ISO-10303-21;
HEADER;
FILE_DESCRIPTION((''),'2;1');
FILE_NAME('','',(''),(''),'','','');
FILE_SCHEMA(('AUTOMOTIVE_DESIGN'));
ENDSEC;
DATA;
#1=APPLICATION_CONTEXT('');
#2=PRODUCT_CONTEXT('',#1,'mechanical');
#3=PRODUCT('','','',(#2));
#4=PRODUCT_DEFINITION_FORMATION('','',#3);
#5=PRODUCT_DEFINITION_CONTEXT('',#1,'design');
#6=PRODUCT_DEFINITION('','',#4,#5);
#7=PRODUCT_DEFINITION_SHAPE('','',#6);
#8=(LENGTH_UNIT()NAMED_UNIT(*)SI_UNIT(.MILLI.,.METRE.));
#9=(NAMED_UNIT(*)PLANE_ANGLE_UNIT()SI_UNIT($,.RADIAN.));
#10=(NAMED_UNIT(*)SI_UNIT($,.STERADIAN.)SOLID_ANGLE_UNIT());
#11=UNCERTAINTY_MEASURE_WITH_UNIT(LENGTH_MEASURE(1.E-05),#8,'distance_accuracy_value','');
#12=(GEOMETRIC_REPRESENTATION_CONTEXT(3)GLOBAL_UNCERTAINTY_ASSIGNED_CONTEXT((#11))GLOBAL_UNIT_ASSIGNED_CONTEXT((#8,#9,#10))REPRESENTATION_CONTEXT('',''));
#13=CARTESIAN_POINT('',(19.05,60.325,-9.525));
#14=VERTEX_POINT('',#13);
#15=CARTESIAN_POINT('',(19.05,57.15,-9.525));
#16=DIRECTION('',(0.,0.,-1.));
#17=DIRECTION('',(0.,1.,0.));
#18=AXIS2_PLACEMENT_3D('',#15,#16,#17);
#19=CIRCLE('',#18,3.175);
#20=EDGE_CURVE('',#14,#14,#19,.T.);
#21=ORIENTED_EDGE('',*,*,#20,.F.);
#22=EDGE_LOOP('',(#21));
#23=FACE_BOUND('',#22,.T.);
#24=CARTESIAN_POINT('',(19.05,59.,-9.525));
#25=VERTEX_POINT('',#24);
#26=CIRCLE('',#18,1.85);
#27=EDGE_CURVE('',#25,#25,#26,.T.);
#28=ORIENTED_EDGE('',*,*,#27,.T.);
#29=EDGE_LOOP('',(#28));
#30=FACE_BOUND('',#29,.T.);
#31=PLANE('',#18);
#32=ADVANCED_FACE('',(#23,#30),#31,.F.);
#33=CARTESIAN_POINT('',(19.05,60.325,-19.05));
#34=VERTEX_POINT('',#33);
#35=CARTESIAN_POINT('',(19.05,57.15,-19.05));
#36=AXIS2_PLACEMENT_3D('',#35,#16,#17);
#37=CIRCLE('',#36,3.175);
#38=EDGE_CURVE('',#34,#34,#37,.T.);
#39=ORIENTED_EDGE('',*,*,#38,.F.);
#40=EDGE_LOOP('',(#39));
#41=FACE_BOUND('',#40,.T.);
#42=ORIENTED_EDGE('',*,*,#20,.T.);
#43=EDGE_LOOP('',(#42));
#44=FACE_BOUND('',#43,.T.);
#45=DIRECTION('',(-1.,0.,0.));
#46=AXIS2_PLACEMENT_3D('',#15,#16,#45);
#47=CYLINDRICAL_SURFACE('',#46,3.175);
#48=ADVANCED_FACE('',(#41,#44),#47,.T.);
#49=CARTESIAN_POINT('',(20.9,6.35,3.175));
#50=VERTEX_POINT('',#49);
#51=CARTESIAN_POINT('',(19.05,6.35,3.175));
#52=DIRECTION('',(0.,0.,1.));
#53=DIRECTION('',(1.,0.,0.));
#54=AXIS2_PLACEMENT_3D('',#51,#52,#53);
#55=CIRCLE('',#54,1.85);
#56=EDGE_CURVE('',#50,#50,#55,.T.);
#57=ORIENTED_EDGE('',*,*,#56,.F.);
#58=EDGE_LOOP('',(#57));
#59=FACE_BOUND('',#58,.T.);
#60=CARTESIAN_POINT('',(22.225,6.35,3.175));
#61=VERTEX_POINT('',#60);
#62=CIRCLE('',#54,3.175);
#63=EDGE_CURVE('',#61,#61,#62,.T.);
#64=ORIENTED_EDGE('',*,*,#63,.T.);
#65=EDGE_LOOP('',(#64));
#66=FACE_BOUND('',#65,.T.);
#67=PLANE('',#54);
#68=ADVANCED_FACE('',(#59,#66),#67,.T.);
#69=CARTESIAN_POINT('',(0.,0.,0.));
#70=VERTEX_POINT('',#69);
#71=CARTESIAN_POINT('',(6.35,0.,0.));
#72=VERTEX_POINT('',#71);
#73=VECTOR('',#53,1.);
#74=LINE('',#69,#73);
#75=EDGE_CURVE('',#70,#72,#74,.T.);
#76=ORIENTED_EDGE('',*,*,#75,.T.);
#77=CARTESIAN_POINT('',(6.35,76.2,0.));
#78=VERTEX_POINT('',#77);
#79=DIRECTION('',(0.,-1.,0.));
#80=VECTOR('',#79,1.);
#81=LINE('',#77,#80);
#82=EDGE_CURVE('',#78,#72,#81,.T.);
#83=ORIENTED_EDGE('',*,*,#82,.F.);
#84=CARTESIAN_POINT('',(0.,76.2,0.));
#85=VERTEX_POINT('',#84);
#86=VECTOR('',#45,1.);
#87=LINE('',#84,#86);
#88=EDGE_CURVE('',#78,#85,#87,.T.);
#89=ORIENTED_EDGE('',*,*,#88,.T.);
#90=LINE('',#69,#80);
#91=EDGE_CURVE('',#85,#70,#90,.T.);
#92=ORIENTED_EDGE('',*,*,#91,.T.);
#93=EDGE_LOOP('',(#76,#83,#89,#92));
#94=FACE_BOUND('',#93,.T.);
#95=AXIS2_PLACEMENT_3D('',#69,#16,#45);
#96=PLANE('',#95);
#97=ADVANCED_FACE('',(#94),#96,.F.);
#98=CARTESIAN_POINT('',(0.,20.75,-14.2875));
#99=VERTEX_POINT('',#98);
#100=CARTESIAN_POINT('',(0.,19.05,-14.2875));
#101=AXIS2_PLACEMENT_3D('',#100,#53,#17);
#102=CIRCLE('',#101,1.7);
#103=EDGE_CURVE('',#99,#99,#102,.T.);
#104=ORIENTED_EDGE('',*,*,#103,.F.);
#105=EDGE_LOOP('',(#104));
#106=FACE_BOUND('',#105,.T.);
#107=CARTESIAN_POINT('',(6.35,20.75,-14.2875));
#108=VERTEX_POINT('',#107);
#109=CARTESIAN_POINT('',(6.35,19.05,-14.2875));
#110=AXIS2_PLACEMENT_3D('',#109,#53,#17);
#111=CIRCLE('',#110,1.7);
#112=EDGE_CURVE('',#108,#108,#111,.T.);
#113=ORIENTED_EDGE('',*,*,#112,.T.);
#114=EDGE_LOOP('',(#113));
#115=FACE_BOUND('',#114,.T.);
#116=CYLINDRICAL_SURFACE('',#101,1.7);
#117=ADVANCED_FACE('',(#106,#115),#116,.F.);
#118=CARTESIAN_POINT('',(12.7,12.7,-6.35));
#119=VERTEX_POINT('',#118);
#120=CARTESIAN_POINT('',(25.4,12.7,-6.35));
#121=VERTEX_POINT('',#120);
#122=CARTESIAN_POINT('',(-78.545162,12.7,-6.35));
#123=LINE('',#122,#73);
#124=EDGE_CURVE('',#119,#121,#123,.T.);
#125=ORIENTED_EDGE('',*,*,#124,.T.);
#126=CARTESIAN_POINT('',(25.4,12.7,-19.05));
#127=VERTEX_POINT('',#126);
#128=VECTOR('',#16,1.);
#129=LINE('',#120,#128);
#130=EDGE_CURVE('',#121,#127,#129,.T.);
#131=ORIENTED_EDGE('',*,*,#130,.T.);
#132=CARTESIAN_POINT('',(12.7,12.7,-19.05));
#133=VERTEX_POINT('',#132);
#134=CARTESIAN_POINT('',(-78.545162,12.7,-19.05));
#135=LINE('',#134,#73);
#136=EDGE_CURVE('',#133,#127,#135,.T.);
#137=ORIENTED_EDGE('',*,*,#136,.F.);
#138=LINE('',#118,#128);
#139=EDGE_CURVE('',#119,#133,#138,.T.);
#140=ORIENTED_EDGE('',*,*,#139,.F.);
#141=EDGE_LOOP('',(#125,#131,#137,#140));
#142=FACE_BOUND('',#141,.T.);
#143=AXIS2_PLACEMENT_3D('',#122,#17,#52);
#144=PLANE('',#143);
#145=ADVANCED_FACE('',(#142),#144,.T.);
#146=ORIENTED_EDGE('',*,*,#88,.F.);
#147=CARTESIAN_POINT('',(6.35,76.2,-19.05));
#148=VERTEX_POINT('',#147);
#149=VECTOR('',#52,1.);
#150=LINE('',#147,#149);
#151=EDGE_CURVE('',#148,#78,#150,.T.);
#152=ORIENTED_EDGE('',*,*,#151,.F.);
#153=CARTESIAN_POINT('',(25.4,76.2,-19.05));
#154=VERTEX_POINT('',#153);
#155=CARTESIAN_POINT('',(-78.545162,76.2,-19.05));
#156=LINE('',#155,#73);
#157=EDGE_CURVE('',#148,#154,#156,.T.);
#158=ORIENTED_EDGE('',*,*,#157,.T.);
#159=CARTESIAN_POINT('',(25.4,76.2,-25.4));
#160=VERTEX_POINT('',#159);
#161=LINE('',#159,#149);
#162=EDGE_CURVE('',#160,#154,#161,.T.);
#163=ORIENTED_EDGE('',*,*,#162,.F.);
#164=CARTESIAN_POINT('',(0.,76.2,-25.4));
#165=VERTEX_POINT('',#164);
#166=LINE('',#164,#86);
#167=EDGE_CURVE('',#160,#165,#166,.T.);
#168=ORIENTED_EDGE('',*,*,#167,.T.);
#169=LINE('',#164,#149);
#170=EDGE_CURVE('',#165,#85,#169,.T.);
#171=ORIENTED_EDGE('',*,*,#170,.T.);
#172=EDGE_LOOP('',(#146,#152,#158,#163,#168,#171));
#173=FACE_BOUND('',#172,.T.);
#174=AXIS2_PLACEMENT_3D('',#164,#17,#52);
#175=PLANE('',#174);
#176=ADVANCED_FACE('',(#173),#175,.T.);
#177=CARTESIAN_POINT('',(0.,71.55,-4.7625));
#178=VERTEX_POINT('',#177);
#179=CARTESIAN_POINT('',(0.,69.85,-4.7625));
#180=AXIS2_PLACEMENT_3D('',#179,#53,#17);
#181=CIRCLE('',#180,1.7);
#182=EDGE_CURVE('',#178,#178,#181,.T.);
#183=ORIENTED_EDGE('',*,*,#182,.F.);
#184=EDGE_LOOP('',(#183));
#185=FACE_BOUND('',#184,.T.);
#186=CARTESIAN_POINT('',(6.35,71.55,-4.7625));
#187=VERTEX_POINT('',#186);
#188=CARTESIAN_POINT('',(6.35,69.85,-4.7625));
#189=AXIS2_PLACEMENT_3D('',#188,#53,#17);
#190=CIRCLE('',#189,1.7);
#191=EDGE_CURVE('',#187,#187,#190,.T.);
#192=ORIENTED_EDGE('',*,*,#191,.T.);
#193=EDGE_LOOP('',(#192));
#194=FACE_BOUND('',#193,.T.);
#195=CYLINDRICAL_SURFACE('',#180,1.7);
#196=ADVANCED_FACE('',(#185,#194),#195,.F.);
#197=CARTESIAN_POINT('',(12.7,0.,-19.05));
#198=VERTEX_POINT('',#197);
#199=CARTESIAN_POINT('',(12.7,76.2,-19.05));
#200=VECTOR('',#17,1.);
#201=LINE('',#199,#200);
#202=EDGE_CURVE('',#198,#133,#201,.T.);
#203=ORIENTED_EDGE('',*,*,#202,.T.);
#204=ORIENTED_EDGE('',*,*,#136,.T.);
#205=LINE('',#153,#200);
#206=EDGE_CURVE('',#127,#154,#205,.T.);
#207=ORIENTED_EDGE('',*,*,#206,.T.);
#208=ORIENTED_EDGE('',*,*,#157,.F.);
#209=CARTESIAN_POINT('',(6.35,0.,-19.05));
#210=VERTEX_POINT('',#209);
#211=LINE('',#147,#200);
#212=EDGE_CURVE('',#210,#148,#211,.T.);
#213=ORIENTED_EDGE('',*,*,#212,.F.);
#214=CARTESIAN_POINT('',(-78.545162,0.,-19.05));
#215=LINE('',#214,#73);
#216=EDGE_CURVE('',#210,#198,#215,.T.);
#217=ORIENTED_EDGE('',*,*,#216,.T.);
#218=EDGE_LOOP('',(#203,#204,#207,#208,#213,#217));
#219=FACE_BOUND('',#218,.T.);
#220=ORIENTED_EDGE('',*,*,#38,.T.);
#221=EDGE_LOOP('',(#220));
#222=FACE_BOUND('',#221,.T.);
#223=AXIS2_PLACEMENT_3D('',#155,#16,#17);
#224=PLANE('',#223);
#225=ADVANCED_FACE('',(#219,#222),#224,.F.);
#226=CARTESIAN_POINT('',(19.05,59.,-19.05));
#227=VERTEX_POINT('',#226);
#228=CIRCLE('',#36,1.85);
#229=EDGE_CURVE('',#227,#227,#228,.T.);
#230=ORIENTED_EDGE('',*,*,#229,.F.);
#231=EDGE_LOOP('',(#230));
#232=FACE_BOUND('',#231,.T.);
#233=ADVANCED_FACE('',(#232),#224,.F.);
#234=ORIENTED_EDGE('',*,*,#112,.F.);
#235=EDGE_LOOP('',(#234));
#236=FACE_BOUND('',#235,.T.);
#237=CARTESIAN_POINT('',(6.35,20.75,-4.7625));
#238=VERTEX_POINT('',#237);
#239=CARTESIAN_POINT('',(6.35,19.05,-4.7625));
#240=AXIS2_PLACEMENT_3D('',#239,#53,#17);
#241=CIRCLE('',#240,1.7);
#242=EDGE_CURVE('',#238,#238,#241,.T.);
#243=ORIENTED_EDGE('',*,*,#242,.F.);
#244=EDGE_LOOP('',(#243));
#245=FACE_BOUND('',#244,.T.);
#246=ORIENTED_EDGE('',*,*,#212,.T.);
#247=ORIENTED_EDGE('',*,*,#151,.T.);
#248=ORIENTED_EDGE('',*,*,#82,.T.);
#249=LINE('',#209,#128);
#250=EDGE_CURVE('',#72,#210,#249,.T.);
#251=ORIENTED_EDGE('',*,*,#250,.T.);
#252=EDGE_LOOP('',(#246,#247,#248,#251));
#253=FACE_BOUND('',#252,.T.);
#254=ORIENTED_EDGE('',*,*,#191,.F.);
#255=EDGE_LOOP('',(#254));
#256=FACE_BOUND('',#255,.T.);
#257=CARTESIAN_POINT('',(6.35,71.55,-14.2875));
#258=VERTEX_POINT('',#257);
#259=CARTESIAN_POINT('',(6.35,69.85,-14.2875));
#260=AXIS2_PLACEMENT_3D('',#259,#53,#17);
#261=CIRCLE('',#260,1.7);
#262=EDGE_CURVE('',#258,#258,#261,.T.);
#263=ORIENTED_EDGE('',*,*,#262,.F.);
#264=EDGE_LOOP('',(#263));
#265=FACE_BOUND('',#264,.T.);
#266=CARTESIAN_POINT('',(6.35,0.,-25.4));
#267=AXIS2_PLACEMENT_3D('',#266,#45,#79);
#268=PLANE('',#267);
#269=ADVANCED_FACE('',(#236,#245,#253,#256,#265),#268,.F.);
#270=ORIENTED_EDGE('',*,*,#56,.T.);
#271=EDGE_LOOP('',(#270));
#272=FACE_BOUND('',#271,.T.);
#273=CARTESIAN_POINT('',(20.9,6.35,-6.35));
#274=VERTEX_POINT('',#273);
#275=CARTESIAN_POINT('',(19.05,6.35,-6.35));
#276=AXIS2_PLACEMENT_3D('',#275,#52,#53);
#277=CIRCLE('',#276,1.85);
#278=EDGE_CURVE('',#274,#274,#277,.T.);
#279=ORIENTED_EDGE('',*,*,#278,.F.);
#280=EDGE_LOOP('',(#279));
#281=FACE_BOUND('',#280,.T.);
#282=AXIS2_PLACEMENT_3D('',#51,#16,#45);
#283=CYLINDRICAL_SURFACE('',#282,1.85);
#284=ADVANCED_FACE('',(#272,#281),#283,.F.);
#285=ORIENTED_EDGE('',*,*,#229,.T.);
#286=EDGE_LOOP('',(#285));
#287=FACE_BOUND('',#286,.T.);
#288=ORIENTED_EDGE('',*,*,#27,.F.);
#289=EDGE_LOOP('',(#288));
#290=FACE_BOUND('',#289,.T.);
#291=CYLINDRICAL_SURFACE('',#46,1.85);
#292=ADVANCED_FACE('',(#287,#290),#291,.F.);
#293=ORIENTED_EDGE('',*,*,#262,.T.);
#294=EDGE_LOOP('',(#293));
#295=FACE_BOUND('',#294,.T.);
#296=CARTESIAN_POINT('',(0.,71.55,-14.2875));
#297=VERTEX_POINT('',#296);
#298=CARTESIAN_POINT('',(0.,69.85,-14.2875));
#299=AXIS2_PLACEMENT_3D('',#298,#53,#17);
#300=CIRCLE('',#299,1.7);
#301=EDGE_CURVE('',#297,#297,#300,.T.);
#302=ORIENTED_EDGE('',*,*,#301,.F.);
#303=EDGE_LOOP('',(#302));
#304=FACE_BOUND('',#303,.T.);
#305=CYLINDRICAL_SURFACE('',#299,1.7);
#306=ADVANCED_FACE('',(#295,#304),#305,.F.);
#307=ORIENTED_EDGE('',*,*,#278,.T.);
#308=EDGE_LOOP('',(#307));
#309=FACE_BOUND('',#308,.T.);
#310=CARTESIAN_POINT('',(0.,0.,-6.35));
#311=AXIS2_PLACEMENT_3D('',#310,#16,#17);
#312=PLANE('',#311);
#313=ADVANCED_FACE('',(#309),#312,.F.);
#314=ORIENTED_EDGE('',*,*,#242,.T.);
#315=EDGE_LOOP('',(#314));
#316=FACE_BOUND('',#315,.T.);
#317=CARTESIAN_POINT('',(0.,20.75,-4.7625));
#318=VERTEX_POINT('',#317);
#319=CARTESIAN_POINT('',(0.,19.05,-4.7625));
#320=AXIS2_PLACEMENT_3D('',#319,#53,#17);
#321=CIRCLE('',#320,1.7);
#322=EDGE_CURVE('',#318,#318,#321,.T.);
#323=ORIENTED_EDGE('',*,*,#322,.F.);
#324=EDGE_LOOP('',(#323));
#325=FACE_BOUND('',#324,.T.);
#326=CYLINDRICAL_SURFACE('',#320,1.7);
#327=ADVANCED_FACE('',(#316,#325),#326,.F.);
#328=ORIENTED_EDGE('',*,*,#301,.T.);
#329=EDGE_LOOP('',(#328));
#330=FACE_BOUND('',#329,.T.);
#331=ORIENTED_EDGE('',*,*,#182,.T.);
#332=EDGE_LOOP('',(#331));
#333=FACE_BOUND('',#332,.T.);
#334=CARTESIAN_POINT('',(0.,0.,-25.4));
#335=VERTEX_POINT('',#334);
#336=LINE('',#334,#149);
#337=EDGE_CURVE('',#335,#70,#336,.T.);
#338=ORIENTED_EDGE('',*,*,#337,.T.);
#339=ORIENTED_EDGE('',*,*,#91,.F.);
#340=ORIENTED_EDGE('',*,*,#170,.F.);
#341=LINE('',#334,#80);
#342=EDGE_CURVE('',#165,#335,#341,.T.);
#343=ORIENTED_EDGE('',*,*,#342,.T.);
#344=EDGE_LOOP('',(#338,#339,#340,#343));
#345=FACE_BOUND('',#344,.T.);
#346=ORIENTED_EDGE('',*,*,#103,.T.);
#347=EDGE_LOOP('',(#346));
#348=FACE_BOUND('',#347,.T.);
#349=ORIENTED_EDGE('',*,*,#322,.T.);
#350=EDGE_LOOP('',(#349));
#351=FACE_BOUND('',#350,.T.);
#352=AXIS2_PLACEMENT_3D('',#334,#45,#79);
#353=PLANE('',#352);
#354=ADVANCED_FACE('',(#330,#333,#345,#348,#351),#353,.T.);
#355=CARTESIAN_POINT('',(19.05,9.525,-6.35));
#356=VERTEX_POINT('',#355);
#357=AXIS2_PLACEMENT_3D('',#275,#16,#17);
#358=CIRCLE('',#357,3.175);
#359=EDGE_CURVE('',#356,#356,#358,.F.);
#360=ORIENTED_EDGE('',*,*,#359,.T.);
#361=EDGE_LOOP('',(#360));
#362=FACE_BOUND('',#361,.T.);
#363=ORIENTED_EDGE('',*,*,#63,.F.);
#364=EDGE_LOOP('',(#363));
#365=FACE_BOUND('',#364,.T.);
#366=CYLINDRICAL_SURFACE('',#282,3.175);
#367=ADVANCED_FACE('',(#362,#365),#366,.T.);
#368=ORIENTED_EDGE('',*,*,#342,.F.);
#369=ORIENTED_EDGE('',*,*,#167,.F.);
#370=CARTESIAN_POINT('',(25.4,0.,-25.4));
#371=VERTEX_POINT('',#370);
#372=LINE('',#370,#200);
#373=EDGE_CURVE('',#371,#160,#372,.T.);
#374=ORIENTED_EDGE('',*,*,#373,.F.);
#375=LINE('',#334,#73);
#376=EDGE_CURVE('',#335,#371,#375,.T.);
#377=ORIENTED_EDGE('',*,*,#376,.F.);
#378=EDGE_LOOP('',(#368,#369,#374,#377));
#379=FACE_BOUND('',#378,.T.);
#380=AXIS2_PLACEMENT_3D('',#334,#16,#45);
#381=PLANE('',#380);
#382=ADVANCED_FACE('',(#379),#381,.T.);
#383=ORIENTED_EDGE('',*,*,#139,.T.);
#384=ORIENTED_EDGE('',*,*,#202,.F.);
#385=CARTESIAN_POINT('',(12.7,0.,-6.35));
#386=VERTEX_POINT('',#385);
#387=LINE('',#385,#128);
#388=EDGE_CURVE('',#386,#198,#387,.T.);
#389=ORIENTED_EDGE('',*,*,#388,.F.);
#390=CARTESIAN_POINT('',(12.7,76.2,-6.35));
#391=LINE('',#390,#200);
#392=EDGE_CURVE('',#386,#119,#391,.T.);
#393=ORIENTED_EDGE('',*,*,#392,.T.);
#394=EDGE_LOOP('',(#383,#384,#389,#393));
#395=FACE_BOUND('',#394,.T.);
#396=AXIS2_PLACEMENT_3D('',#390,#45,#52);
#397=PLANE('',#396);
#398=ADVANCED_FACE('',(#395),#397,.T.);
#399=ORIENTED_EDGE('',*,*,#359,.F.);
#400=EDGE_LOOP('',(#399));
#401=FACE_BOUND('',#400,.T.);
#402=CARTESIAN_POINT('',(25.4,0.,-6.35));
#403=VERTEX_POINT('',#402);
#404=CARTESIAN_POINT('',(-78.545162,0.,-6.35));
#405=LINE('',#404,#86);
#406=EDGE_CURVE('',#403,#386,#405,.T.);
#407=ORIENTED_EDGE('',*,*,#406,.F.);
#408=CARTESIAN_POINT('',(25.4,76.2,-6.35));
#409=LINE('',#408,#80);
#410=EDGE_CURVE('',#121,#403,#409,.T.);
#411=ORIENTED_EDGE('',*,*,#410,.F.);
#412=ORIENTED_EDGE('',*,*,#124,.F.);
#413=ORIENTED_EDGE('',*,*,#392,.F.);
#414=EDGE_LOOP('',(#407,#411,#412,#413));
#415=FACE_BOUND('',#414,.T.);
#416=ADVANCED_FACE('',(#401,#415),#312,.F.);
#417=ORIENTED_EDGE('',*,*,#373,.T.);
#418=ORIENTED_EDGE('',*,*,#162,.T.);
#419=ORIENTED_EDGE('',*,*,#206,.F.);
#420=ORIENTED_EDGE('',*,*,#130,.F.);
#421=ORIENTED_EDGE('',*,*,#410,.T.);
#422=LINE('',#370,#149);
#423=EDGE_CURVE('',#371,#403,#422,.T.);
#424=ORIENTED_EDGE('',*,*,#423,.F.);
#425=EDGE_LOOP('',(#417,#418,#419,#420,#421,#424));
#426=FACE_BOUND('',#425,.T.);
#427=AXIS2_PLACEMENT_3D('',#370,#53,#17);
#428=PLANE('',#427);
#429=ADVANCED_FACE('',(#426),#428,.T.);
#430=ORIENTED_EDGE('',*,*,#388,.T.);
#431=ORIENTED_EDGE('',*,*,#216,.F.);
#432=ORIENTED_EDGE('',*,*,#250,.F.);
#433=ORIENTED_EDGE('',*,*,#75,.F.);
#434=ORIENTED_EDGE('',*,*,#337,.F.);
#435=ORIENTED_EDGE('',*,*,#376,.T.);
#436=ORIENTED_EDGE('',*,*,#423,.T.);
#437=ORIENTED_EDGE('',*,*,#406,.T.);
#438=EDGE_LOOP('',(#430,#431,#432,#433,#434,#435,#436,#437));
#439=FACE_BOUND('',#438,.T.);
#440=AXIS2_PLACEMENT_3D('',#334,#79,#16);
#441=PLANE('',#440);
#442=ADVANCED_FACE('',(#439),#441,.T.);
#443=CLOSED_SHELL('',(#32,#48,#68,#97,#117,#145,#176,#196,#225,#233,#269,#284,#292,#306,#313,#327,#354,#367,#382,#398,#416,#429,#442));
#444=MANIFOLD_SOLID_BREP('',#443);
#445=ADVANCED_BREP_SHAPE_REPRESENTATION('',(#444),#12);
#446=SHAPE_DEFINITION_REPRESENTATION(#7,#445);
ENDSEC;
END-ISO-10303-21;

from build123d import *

# Parameters (mm, degrees)
SKETCH1_W           = 25.4
SKETCH1_H           = 76.2
BOSS_EXTRUDE1_DEPTH = 25.4
SKETCH10_W          = 19.05
SKETCH10_H          = 76.2
CUT_EXTRUDE5_DEPTH  = 19.05
BOSS_EXTRUDE2_START = -6.35
SKETCH12_R          = 3.175
SKETCH12_R_2        = 1.849999983
BOSS_EXTRUDE2_DEPTH = 9.525
BOSS_EXTRUDE3_START = -6.35
SKETCH13_W          = 12.7
SKETCH13_H          = 12.7
BOSS_EXTRUDE3_DEPTH = 12.7
SKETCH14_R          = 3.175
SKETCH14_R_2        = 1.849999983
BOSS_EXTRUDE4_DEPTH = 9.525
SKETCH15_R          = 1.700000029
CUT_EXTRUDE6_DEPTH  = 7.35


with BuildPart() as part:
    # Sketch1 → Boss-Extrude1 (new body)
    with BuildSketch(Plane.XY):
        with Locations((12.7, 38.1)):
            Rectangle(SKETCH1_W, SKETCH1_H)
    extrude(amount=-BOSS_EXTRUDE1_DEPTH)

    # Sketch10 → Cut-Extrude5 (cut)
    with BuildSketch(Plane(origin=(25.4, 0, 0), x_dir=(0, 0, -1), z_dir=(1, 0, 0))):
        with Locations((9.525, 38.1)):
            Rectangle(SKETCH10_W, SKETCH10_H)
    extrude(amount=-CUT_EXTRUDE5_DEPTH, mode=Mode.SUBTRACT)

    # Sketch12 → Boss-Extrude2 (add)
    with BuildSketch(Plane(origin=(0, 0, -25.4), x_dir=(-1, 0, 0), z_dir=(0, 0, -1)).offset(BOSS_EXTRUDE2_START)):
        with Locations((-19.05, 57.15)):
            Circle(SKETCH12_R)
        with Locations((-19.05, 57.15)):
            Circle(SKETCH12_R_2, mode=Mode.SUBTRACT)
    extrude(amount=-BOSS_EXTRUDE2_DEPTH)

    # Sketch13 → Boss-Extrude3 (add)
    with BuildSketch(Plane(origin=(0, 0, -25.4), x_dir=(-1, 0, 0), z_dir=(0, 0, -1)).offset(BOSS_EXTRUDE3_START)):
        with Locations((-19.05, 6.35)):
            Rectangle(SKETCH13_W, SKETCH13_H)
    extrude(amount=-BOSS_EXTRUDE3_DEPTH)

    # Sketch14 → Boss-Extrude4 (add)
    with BuildSketch(Plane.XY.offset(-6.35)):
        with Locations((19.05, 6.35)):
            Circle(SKETCH14_R)
        with Locations((19.05, 6.35)):
            Circle(SKETCH14_R_2, mode=Mode.SUBTRACT)
    extrude(amount=BOSS_EXTRUDE4_DEPTH)

    # Sketch15 → Cut-Extrude6 (cut, through all)
    with BuildSketch(Plane(origin=(6.35, 0, 0), x_dir=(0, 0, -1), z_dir=(1, 0, 0))):
        with Locations((4.7625, 69.85)):
            Circle(SKETCH15_R)
        with Locations((14.2875, 69.85)):
            Circle(SKETCH15_R)
        with Locations((4.7625, 19.05)):
            Circle(SKETCH15_R)
        with Locations((14.2875, 19.05)):
            Circle(SKETCH15_R)
    extrude(amount=-CUT_EXTRUDE6_DEPTH, mode=Mode.SUBTRACT)


solid = part.part
